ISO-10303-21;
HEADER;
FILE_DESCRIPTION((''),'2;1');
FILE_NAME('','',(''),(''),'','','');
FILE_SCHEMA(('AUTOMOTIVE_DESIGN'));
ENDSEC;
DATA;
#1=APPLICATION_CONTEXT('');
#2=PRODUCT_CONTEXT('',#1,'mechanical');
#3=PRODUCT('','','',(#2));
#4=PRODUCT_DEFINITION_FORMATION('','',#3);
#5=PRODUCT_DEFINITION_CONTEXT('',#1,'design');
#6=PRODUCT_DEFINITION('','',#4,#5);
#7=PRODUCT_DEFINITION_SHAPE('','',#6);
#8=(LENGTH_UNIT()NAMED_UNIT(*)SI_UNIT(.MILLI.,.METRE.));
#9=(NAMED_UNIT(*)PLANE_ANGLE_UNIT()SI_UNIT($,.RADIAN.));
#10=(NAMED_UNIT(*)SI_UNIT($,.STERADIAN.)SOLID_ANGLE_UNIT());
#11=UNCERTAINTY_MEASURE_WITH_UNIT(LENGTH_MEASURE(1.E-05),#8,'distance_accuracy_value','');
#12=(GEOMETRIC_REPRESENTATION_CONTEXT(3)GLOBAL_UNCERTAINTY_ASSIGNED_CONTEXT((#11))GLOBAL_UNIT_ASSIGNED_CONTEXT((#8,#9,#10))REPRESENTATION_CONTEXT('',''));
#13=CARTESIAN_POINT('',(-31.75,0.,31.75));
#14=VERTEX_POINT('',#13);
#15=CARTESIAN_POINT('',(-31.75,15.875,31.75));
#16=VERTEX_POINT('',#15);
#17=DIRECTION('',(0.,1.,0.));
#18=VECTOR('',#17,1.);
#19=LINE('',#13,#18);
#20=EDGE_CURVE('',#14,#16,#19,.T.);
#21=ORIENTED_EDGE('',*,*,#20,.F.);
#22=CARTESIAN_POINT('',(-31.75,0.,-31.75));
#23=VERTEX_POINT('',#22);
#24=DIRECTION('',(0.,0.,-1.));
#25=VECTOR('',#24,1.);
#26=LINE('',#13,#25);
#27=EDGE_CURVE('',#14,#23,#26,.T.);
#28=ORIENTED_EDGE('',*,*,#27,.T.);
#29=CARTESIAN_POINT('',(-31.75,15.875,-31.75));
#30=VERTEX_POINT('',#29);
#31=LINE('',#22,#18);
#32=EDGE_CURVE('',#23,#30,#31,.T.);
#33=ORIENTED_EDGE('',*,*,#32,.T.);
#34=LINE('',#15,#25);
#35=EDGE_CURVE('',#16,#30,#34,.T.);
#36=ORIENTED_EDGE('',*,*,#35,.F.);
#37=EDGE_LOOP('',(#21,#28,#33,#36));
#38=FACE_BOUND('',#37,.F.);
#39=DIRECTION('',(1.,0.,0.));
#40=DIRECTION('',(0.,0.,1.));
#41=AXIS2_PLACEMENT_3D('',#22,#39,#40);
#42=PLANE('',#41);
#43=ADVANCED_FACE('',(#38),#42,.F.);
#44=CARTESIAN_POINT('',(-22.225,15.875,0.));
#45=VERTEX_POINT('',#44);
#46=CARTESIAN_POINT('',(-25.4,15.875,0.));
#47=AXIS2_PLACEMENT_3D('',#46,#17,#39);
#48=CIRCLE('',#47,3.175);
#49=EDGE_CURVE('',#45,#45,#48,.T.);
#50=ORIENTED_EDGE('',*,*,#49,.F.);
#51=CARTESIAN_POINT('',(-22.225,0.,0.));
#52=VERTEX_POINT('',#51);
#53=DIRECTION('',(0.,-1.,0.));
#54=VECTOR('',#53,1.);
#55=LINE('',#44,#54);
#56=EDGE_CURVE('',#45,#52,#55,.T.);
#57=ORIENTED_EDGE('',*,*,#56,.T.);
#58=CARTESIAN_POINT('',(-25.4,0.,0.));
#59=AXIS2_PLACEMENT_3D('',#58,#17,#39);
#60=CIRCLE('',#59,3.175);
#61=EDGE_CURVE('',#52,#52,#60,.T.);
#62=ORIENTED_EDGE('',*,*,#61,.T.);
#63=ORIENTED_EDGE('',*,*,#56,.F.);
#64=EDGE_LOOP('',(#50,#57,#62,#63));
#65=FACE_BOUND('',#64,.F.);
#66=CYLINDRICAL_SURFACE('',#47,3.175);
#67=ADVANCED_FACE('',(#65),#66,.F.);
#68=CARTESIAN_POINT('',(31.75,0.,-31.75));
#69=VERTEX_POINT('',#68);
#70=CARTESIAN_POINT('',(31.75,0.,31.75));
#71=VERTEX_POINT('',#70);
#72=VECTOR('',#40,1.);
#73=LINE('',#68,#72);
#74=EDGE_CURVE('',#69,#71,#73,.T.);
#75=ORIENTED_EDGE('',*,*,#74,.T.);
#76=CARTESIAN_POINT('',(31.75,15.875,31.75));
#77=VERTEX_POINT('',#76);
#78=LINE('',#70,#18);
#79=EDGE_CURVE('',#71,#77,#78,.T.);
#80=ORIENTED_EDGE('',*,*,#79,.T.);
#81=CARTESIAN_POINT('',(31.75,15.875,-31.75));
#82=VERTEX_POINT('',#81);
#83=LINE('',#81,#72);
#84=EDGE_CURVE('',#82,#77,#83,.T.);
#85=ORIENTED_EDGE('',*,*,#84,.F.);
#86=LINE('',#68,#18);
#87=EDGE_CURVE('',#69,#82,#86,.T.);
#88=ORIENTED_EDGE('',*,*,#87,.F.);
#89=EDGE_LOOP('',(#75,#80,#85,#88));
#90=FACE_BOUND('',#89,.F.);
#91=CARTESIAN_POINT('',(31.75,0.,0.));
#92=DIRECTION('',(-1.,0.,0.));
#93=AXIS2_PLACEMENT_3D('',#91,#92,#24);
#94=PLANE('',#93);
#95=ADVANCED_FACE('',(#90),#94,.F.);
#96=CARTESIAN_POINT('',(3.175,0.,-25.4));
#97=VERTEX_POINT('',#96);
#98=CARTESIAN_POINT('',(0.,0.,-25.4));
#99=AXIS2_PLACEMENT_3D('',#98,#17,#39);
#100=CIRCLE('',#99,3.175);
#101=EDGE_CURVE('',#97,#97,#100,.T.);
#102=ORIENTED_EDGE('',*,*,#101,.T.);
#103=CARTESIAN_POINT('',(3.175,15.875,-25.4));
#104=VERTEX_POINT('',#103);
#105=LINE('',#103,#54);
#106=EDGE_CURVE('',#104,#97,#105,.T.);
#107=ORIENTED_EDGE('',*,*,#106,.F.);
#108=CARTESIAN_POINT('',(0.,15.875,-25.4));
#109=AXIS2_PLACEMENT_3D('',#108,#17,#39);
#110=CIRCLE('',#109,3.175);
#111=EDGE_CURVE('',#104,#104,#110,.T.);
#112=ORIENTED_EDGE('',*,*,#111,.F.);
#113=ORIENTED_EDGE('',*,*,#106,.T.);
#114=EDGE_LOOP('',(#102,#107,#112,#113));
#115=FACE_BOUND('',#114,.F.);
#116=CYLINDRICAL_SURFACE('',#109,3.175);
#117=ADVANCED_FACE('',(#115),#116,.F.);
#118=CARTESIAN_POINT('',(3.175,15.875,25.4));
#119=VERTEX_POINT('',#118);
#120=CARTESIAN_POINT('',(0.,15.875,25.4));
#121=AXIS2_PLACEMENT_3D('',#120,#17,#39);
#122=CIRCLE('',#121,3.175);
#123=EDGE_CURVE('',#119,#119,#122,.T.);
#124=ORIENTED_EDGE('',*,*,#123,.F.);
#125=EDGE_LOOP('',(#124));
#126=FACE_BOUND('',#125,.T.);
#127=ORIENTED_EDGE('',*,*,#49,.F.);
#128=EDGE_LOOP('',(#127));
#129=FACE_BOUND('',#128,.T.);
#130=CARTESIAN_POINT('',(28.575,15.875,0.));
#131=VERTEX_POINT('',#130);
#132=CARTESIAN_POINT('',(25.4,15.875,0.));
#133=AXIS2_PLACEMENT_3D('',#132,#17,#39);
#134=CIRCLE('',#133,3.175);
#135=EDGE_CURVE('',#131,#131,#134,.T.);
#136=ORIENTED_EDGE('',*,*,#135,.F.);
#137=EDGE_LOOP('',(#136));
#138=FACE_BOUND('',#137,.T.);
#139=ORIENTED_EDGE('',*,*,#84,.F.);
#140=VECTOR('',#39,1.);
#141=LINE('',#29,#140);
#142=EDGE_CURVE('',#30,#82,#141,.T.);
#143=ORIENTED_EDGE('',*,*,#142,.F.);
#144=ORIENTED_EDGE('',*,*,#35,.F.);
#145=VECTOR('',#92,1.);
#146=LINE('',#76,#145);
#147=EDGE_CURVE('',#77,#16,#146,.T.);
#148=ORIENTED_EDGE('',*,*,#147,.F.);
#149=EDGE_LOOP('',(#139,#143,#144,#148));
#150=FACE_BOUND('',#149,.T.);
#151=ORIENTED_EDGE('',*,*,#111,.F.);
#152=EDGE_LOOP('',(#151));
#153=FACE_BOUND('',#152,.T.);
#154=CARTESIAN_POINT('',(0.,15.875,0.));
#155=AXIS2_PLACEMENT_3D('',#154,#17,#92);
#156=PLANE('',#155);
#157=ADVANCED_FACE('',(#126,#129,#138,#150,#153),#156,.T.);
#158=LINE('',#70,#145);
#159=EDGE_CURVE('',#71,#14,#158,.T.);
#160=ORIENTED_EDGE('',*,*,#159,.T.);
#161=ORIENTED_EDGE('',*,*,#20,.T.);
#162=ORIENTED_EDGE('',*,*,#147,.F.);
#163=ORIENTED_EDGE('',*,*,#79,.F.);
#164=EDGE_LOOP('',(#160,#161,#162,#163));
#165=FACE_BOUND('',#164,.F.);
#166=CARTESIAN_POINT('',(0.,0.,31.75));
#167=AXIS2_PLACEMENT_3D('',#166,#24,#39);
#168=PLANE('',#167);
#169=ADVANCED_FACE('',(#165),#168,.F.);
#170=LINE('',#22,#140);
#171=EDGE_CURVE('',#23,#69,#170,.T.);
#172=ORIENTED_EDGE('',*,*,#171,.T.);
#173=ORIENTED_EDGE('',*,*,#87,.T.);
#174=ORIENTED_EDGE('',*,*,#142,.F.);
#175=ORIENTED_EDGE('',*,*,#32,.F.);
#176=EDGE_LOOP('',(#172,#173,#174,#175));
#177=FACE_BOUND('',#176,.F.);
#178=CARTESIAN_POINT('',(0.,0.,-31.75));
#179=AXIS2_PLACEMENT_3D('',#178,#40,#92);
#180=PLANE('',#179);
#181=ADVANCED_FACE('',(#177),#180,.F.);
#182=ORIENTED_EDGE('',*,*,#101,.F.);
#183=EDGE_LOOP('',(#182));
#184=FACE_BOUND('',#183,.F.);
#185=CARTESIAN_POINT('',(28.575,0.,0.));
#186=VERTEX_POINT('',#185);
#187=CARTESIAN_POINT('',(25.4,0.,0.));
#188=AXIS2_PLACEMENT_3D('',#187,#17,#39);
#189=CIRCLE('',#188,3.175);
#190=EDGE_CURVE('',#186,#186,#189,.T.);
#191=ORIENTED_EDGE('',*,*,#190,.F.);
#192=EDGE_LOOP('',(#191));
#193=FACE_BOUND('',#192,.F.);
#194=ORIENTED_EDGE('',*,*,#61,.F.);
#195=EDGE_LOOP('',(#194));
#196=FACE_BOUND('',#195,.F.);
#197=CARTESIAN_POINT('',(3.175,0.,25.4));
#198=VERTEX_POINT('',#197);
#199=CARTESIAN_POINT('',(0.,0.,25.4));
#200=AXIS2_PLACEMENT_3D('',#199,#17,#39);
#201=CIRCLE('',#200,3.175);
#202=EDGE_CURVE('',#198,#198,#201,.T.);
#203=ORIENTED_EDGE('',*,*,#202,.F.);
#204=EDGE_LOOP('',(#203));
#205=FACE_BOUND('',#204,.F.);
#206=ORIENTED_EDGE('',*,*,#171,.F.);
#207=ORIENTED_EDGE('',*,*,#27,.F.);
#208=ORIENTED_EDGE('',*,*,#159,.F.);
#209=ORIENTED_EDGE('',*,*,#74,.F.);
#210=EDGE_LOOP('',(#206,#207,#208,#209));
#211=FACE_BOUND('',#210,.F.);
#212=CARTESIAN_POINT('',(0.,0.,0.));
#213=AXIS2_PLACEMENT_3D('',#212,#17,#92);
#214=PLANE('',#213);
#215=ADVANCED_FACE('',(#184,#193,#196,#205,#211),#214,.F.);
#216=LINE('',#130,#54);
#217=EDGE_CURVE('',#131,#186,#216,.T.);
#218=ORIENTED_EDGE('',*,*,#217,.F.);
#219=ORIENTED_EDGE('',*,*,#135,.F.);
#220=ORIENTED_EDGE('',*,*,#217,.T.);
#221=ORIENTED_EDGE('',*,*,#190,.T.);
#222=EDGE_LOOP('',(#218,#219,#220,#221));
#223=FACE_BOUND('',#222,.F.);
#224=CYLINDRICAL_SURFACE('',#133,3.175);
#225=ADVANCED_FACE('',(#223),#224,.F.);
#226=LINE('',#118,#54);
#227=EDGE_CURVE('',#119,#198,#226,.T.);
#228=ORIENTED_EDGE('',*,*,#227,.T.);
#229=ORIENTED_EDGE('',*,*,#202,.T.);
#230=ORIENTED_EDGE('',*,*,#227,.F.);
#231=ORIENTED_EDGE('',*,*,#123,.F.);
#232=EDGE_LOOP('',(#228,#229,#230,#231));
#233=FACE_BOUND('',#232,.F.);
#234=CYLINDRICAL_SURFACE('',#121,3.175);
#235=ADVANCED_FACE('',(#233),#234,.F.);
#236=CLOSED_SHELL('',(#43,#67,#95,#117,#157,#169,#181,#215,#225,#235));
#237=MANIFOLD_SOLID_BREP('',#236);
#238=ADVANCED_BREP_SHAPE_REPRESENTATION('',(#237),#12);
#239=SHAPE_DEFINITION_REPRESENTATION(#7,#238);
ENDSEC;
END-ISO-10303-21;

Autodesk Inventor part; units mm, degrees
ref_plane "YZ Plane" through (0, 0, 0) normal (1, 0, 0) x (0, 1, 0)
ref_plane "XZ Plane" through (0, 0, 0) normal (0, 1, 0) x (-1, 0, 0)
ref_plane "XY Plane" through (0, 0, 0) normal (0, 0, 1) x (1, 0, 0)
sketch "Sketch1" plane through (0, 0, 0) normal (0, 1, 0) x (-1, 0, 0)
  circle A0 centre (0, 0) radius 31.75
  line L0 (-31.75, -31.75) -> (31.75, -31.75)
  line L1 (31.75, -31.75) -> (31.75, 31.75)
  line L2 (31.75, 31.75) -> (-31.75, 31.75)
  line L3 (-31.75, 31.75) -> (-31.75, -31.75)
  line L4 (-31.75, -31.75) -> (31.75, 31.75) construction
  line L5 (31.75, -31.75) -> (-31.75, 31.75) construction
  point P0 (-31.75, 0)
  point P1 (0, 31.75)
  point P2 (0, -31.75)
  point P3 (31.75, 0)
  dimension "d0" = 63.5
extrude "Extrusion1" add sketch "Sketch1" along normal blind 15.875
sketch "Sketch2" plane through (0, 15.875, 0) normal (0, 1, 0) x (1, 0, 0)
  circle A0 centre (25.4, 0) radius 3.175
  circle A1 centre (0, 25.4) radius 3.175
  circle A2 centre (-25.4, 0) radius 3.175
  circle A3 centre (0, -25.4) radius 3.175
  point P0 (0, 0)
  dimension "d3" = 6.35
  dimension "d6" = 0
  dimension "d7" = 25.4
  dimension "d10" = 360
extrude "Extrusion2" cut sketch "Sketch2" against normal blind 50.8
properties part number "FrontPlatePostNoKey"
